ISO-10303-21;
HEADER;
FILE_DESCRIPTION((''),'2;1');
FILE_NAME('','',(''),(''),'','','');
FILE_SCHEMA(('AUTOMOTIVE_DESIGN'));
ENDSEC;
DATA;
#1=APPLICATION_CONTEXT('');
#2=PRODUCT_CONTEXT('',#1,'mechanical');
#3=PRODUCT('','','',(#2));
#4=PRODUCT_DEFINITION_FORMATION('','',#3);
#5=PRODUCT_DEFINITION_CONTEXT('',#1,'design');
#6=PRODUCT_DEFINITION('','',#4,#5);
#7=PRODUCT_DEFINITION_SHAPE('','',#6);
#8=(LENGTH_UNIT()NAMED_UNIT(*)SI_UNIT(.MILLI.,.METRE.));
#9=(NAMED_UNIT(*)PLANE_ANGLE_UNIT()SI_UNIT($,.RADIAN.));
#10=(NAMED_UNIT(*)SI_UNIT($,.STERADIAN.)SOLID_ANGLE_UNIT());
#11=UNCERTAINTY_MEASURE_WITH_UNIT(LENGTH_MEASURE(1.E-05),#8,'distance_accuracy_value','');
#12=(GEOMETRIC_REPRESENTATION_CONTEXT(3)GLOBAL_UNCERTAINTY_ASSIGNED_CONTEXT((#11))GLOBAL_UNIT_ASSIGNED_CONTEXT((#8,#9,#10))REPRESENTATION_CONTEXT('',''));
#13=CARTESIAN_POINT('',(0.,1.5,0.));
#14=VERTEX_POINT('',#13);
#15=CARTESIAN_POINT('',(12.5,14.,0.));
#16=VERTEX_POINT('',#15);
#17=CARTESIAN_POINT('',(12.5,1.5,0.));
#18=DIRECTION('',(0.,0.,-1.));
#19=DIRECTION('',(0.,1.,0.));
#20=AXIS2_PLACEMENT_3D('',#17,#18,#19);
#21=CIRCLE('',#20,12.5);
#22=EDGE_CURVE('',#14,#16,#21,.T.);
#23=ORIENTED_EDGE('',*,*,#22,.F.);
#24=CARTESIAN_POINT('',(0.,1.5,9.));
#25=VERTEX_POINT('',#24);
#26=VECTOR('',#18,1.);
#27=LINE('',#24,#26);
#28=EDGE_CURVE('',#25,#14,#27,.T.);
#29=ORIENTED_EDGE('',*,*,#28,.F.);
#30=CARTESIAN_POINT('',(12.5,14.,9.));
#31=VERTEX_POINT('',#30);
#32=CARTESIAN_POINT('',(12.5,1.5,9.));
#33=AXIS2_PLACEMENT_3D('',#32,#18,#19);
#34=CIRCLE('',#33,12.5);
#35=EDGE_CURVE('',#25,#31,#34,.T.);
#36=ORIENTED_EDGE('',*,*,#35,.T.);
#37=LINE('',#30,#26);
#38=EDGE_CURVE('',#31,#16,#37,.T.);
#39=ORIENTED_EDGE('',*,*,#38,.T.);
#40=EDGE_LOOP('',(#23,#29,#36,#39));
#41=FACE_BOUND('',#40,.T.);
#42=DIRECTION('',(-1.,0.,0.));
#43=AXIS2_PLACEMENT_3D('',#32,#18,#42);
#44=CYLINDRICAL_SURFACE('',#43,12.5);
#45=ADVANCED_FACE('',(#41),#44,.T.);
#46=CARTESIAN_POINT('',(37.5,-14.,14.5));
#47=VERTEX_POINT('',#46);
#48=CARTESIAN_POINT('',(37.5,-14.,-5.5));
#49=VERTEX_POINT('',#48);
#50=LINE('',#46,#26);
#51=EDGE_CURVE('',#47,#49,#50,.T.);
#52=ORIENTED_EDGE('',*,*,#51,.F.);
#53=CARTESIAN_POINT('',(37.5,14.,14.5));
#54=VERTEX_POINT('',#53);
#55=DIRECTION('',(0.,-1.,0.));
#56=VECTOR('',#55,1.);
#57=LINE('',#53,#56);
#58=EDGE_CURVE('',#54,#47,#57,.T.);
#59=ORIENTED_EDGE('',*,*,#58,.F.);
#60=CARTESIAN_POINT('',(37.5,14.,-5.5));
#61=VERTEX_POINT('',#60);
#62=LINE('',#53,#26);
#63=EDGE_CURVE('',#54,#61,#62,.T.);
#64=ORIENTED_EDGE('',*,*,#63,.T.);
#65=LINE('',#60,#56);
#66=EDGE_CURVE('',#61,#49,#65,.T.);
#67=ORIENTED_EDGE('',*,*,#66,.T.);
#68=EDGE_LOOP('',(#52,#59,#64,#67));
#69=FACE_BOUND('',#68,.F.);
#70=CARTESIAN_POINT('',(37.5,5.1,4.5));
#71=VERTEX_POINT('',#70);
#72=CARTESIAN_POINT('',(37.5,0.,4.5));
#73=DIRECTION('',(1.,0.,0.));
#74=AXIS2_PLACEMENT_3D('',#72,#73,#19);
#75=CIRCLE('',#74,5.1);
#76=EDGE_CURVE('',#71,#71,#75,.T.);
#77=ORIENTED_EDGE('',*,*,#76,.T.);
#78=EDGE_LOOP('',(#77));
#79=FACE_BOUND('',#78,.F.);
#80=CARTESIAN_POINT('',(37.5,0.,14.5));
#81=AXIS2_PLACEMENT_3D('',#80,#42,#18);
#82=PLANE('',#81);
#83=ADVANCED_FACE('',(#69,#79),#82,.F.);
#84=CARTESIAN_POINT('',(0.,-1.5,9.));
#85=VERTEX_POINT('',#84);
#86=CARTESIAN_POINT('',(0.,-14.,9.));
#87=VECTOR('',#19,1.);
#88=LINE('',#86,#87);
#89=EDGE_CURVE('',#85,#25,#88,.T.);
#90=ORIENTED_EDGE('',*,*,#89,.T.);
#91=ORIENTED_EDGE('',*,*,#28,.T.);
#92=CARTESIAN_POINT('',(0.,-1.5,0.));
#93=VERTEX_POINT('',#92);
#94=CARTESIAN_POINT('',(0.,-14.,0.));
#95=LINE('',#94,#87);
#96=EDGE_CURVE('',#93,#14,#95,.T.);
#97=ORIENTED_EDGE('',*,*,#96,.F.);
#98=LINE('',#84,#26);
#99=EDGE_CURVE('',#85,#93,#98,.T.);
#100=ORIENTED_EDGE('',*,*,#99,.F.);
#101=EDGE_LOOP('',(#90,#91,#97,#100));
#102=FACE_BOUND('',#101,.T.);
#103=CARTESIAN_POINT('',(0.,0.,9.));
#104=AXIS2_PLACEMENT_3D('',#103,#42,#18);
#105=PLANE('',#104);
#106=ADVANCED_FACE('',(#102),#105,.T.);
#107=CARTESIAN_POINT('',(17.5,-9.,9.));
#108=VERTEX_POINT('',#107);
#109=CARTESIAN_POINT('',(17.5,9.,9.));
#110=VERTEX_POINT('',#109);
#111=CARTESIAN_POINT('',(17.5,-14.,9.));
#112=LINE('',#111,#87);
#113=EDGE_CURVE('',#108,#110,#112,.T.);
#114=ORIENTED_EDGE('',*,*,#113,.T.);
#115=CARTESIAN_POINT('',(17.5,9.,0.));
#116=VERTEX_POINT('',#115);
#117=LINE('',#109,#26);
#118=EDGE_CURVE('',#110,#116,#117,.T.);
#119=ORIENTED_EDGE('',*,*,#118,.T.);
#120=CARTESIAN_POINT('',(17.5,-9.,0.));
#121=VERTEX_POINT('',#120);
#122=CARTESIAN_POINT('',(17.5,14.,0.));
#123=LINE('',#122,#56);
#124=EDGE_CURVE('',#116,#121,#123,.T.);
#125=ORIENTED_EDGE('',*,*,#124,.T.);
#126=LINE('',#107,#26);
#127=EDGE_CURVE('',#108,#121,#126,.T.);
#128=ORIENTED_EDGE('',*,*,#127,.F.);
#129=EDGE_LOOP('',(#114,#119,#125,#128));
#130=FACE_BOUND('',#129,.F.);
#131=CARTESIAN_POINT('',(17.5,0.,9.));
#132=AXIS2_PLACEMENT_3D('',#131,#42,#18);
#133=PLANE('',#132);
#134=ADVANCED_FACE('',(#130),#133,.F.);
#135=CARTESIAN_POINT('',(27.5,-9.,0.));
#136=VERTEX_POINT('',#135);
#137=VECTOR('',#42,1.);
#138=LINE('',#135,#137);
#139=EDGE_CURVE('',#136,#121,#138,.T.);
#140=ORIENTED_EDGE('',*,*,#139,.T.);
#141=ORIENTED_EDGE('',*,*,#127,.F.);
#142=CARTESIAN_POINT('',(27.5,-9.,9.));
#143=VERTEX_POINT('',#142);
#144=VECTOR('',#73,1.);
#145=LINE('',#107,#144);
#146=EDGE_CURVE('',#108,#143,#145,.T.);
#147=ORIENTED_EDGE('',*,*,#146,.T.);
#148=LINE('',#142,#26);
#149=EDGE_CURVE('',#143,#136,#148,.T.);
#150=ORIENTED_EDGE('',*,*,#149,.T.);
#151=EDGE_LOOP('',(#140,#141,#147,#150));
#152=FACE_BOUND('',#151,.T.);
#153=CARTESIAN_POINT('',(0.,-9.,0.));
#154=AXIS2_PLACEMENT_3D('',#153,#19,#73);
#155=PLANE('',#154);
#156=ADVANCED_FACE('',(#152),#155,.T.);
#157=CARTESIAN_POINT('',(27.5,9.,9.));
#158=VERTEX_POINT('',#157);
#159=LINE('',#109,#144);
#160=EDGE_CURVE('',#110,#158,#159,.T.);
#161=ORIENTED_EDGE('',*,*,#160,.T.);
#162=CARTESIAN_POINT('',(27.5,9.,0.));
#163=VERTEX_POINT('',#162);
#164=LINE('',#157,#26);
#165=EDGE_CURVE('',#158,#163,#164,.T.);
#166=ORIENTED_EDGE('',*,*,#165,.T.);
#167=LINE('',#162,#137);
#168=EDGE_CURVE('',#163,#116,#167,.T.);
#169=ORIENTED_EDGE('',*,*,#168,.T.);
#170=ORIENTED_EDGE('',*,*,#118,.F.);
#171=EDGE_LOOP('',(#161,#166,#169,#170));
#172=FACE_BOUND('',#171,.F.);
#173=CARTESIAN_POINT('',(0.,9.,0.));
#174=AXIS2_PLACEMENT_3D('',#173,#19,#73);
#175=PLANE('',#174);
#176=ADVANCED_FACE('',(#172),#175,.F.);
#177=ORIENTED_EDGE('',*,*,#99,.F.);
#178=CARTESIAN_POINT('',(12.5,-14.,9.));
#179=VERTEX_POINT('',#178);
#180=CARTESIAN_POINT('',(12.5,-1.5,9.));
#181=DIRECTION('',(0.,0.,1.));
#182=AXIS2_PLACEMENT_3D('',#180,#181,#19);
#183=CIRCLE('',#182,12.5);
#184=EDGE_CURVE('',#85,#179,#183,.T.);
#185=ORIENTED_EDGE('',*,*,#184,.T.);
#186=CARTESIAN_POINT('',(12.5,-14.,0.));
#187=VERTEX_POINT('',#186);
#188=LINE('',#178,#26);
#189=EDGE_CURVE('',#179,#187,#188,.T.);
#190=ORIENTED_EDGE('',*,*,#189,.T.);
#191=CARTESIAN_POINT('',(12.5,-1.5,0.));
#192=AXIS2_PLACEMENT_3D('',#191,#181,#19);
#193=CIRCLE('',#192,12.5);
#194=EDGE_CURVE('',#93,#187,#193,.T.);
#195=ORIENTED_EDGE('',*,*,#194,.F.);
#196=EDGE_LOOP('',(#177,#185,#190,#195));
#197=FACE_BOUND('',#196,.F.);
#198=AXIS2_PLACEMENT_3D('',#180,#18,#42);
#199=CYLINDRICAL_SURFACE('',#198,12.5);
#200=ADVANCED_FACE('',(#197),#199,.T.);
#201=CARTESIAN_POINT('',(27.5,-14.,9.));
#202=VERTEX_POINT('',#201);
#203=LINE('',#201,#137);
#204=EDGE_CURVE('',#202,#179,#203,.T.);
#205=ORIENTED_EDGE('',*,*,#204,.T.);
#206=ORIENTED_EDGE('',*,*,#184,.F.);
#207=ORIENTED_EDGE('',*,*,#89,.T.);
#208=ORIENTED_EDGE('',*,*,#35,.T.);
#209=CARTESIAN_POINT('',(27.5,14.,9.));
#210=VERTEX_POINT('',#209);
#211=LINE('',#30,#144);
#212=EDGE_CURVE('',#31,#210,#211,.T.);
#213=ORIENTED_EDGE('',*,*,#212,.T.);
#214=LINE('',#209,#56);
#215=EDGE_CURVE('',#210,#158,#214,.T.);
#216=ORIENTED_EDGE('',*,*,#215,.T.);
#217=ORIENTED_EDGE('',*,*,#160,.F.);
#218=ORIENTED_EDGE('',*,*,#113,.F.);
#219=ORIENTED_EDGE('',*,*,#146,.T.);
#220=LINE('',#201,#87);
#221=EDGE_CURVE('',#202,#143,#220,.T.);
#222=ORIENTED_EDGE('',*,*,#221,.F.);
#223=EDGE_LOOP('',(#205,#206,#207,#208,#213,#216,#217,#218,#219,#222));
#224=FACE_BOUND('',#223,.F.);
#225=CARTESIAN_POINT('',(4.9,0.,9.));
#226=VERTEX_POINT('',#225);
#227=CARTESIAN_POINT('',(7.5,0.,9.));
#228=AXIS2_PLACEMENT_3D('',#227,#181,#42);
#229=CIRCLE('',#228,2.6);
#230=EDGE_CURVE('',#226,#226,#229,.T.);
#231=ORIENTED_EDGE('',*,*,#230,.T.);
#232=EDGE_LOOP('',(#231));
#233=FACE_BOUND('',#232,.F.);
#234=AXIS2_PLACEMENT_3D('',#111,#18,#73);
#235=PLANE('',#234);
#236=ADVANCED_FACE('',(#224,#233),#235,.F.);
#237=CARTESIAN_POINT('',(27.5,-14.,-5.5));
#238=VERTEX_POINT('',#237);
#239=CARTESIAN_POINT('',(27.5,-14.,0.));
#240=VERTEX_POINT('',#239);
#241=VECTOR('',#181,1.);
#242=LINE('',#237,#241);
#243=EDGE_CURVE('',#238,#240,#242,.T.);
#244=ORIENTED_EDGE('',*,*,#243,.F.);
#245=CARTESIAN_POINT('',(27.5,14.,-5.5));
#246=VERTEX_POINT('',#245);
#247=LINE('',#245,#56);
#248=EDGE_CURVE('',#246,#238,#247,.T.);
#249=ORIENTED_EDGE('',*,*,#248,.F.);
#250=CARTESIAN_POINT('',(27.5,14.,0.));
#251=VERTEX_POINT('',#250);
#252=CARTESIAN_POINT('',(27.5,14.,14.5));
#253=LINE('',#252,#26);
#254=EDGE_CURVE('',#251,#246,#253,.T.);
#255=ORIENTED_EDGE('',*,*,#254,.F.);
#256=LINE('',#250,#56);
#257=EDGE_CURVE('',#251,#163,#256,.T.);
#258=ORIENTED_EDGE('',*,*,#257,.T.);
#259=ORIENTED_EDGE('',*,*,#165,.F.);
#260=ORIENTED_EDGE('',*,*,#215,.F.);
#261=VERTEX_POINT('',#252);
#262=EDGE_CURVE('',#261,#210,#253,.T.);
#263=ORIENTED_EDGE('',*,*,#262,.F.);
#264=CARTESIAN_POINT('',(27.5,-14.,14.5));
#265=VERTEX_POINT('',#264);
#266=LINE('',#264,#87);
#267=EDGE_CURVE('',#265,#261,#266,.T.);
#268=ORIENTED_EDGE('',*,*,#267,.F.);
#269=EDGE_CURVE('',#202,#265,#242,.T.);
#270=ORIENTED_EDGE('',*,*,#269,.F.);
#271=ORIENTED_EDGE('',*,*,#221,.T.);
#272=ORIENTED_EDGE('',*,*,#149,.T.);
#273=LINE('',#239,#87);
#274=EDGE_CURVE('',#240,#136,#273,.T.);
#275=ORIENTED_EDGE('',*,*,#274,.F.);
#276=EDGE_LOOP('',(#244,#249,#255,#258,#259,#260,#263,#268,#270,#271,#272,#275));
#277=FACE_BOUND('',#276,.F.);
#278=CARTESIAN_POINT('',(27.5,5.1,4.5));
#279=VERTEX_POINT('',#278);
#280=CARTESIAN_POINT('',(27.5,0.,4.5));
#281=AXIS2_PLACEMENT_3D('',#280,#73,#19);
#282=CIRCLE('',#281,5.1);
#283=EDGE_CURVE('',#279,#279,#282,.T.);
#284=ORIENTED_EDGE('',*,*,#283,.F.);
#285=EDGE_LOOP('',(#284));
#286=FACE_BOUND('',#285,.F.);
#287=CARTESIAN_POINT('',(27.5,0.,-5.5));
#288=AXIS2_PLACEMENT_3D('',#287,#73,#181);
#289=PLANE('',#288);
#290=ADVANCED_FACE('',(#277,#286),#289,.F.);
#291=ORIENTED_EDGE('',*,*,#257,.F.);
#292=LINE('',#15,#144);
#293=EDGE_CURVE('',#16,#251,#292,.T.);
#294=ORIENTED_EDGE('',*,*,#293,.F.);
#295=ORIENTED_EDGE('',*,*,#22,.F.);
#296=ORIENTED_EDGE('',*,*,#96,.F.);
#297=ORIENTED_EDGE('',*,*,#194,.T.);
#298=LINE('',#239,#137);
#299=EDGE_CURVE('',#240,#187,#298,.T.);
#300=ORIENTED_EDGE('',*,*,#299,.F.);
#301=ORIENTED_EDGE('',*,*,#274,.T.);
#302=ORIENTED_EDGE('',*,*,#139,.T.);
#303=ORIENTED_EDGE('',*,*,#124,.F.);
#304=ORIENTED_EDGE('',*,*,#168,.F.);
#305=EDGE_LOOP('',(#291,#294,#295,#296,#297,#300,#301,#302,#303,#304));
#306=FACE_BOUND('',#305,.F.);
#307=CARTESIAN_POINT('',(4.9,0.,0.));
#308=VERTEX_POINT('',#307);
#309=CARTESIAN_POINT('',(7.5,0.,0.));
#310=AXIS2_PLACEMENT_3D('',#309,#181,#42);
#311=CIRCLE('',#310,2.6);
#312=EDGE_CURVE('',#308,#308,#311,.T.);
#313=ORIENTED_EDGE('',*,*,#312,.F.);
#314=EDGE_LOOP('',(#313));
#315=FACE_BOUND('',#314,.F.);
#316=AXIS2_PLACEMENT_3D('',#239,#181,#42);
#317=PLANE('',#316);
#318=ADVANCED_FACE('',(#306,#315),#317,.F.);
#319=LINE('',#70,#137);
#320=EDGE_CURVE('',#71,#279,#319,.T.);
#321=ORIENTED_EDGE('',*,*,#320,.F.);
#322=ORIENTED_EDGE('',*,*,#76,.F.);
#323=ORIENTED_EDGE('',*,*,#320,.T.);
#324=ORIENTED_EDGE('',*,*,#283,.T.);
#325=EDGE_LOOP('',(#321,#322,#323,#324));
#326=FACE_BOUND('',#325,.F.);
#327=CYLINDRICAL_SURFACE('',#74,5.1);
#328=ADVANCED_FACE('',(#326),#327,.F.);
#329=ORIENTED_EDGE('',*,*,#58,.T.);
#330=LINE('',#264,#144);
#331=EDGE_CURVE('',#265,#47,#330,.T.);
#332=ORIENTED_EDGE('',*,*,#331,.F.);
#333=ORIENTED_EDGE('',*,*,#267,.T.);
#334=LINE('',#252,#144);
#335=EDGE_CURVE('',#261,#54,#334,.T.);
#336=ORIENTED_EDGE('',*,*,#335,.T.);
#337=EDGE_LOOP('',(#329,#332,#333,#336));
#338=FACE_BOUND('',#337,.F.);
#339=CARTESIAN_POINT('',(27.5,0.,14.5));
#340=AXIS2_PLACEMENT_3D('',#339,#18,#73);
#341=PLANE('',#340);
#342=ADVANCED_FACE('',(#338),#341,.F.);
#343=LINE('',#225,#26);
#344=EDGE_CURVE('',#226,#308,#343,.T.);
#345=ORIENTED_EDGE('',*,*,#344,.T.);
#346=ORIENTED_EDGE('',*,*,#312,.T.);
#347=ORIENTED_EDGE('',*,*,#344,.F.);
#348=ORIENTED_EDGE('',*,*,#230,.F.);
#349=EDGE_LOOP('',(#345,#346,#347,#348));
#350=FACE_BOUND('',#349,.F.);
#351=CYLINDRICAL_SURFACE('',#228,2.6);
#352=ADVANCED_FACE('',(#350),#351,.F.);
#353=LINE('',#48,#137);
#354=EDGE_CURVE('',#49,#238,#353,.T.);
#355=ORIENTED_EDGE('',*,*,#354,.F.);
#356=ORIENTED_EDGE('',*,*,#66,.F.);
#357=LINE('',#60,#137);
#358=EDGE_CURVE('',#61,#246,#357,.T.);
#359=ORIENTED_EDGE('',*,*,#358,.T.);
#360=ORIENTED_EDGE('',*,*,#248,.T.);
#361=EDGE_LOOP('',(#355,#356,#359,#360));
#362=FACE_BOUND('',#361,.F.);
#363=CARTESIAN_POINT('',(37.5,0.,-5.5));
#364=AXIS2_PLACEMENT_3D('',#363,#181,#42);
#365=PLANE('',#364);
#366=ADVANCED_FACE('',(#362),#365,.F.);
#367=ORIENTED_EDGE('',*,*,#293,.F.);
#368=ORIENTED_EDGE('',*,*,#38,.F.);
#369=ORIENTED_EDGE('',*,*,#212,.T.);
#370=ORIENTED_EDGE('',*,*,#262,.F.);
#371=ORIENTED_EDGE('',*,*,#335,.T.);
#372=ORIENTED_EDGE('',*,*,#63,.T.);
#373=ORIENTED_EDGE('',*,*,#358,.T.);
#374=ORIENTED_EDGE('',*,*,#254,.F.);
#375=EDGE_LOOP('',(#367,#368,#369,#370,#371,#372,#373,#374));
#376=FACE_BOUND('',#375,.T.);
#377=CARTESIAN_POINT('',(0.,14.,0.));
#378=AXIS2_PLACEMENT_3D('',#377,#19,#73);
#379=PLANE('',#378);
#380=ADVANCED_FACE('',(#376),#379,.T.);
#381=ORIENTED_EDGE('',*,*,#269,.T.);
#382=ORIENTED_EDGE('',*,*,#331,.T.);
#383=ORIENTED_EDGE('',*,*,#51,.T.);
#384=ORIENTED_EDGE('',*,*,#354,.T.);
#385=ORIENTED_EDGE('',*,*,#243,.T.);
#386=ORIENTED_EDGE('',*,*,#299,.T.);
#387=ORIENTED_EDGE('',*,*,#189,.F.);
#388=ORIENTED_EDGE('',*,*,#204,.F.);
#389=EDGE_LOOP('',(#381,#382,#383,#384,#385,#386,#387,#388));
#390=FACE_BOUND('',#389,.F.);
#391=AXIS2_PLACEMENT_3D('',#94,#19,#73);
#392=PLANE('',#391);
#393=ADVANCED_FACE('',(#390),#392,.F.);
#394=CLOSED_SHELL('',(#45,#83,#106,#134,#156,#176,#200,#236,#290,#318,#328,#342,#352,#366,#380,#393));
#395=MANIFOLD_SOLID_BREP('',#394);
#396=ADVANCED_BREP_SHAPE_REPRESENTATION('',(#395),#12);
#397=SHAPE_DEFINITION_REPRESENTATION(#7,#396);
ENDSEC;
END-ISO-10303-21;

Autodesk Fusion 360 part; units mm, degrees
sketch "Sketch1" plane through (0, 0, 0) normal (0, 1, 0) x (1, 0, 0)
  line L0 (0, 0) -> (15, 0)
  line L1 (15, 0) -> (15, -9)
  line L2 (15, -9) -> (0, -9)
  line L3 (0, -9) -> (0, 0)
  line L4 (15, -9) -> (17.5, -9)
  line L5 (17.5, 0) -> (15, 0)
  line L6 (17.5, -9) -> (17.5, 0)
  line L7 (17.5, -9) -> (27.5, -9)
  line L8 (27.5, -9) -> (27.5, -14.5)
  line L9 (27.5, -14.5) -> (37.5, -14.5)
  line L10 (37.5, -14.5) -> (37.5, 5.5)
  line L11 (37.5, 5.5) -> (27.5, 5.5)
  line L12 (27.5, 5.5) -> (27.5, 0)
  line L13 (27.5, 0) -> (17.5, 0)
  line L14 (27.5, -9) -> (27.5, 0)
  dimension "d1" = 15
  dimension "d2" = 9
  dimension "d3" = 15
  dimension "d55" = 10
  dimension "d56" = 5.5
  dimension "d57" = 10
  dimension "d58" = 20
extrude "Extrude2" add sketch "Sketch1" along normal mid plane 28 contours L0 L1 L2 L3 | L1 L4 L5 L6
fillet "Fillet1" radius 12.5 2 edges at (0, -14, 4.5) (0, 14, 4.5)
sketch "Sketch2" plane through (0, 0, 9) normal (0, 0, 1) x (-1, 0, 0)
  line L0 (-12.5, 14) -> (-17.5, 14)
  line L1 (-17.5, -14) -> (-12.5, -14)
  line L2 (0, 0) -> (-7.5, 0) construction
  circle A0 centre (-7.5, 0) radius 2.6
  arc A1 (-12.5, -14) -> (0, -1.5) centre (-12.5, -1.5) ccw
  line L3 (-17.5, 14) -> (-17.5, -14)
  line L4 (0, -1.5) -> (0, 1.5)
  arc A2 (0, 1.5) -> (-12.5, 14) centre (-12.5, 1.5) ccw
  dimension "d28" = 7.5
  dimension "d29" = 5.2
extrude "Extrude4" cut sketch "Sketch2" against normal through all contours A0
extrude "Extrude9" add sketch "Sketch1" against normal blind 5 from surface at 14 contours L6 L7 L13 L14
extrude "Extrude10" add sketch "Sketch1" along normal blind 5 from surface at -14 contours L6 L7 L13 L14
extrude "Extrude11" add sketch "Sketch1" along normal mid plane 28 contours L8 L9 L10 L11 L12 L14
sketch "Sketch4" plane through (37.5, 0, 0) normal (1, 0, 0) x (0, 1, 0)
  line L0 (-14, -5.5) -> (14, -5.5)
  line L1 (14, -5.5) -> (14, 14.5)
  line L2 (14, 14.5) -> (-14, 14.5)
  line L3 (-14, 14.5) -> (-14, -5.5)
  line L4 (0, 14.5) -> (0, 4.5) construction
  line L5 (0, 4.5) -> (-14, 4.5) construction
  circle A0 centre (0, 4.5) radius 5.1
  dimension "d67" = 10
  dimension "d68" = 10.2
extrude "Extrude12" cut sketch "Sketch4" against normal blind 10 contours A0
equation "d27 = ( 25 / 2 ) * 1 mm"
equation "d56 = ( ( 20 - 9 ) / 2 ) * 1 mm"
equation "d59 = ( 28 / 2 ) * 1 mm"
equation "d62 = ( -28 / 2 ) * 1 mm"
equation "d67 = ( 20 / 2 ) * 1 mm"
